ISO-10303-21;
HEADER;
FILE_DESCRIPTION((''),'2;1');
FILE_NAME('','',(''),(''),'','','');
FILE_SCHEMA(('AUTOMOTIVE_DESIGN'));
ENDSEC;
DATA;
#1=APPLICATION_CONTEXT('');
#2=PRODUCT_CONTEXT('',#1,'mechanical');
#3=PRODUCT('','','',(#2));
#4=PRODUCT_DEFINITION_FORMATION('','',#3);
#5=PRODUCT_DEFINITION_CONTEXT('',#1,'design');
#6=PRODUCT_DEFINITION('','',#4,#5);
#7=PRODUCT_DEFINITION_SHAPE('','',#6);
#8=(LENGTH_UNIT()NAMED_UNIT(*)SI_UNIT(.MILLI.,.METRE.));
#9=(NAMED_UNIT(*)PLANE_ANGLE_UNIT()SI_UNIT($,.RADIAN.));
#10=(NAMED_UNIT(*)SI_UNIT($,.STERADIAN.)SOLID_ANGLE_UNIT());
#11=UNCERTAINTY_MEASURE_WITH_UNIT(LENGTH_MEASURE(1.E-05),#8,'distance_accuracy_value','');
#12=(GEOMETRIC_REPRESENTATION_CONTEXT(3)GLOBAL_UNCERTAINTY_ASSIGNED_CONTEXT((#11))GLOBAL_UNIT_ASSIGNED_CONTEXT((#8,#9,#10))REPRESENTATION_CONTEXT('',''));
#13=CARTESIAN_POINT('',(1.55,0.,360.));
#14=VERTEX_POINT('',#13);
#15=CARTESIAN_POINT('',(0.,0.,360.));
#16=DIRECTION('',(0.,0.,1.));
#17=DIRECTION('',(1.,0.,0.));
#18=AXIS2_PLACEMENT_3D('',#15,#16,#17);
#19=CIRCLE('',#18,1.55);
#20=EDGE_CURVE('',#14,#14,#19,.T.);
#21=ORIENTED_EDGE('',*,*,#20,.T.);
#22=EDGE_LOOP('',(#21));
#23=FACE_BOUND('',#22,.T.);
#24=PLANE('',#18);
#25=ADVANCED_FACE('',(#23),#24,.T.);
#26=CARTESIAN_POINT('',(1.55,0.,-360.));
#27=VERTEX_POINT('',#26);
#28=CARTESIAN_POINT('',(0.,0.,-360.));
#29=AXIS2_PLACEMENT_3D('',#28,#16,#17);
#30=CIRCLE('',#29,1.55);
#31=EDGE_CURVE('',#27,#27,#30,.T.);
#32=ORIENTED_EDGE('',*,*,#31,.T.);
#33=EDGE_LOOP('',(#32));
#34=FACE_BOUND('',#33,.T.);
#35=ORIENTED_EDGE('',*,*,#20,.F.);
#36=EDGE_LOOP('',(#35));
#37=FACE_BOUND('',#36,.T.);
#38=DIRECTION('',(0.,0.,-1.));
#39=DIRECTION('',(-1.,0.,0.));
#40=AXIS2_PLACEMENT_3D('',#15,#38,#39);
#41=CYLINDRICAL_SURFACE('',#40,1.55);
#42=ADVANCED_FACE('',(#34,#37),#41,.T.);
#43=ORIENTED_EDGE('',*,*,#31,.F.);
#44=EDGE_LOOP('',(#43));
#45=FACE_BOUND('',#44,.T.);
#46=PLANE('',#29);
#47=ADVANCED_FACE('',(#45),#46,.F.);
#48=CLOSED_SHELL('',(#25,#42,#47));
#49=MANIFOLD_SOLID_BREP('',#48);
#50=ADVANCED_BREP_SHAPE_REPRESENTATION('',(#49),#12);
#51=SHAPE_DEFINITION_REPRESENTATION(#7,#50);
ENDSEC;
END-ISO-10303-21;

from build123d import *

# Parameters (mm, degrees)
SKETCH1_R           = 1.55
BOSS_EXTRUDE1_DEPTH = 360


with BuildPart() as part:
    # Sketch1 → Boss-Extrude1 (new body, symmetric)
    with BuildSketch(Plane.XY):
        Circle(SKETCH1_R)
    extrude(amount=BOSS_EXTRUDE1_DEPTH, both=True)


solid = part.part
